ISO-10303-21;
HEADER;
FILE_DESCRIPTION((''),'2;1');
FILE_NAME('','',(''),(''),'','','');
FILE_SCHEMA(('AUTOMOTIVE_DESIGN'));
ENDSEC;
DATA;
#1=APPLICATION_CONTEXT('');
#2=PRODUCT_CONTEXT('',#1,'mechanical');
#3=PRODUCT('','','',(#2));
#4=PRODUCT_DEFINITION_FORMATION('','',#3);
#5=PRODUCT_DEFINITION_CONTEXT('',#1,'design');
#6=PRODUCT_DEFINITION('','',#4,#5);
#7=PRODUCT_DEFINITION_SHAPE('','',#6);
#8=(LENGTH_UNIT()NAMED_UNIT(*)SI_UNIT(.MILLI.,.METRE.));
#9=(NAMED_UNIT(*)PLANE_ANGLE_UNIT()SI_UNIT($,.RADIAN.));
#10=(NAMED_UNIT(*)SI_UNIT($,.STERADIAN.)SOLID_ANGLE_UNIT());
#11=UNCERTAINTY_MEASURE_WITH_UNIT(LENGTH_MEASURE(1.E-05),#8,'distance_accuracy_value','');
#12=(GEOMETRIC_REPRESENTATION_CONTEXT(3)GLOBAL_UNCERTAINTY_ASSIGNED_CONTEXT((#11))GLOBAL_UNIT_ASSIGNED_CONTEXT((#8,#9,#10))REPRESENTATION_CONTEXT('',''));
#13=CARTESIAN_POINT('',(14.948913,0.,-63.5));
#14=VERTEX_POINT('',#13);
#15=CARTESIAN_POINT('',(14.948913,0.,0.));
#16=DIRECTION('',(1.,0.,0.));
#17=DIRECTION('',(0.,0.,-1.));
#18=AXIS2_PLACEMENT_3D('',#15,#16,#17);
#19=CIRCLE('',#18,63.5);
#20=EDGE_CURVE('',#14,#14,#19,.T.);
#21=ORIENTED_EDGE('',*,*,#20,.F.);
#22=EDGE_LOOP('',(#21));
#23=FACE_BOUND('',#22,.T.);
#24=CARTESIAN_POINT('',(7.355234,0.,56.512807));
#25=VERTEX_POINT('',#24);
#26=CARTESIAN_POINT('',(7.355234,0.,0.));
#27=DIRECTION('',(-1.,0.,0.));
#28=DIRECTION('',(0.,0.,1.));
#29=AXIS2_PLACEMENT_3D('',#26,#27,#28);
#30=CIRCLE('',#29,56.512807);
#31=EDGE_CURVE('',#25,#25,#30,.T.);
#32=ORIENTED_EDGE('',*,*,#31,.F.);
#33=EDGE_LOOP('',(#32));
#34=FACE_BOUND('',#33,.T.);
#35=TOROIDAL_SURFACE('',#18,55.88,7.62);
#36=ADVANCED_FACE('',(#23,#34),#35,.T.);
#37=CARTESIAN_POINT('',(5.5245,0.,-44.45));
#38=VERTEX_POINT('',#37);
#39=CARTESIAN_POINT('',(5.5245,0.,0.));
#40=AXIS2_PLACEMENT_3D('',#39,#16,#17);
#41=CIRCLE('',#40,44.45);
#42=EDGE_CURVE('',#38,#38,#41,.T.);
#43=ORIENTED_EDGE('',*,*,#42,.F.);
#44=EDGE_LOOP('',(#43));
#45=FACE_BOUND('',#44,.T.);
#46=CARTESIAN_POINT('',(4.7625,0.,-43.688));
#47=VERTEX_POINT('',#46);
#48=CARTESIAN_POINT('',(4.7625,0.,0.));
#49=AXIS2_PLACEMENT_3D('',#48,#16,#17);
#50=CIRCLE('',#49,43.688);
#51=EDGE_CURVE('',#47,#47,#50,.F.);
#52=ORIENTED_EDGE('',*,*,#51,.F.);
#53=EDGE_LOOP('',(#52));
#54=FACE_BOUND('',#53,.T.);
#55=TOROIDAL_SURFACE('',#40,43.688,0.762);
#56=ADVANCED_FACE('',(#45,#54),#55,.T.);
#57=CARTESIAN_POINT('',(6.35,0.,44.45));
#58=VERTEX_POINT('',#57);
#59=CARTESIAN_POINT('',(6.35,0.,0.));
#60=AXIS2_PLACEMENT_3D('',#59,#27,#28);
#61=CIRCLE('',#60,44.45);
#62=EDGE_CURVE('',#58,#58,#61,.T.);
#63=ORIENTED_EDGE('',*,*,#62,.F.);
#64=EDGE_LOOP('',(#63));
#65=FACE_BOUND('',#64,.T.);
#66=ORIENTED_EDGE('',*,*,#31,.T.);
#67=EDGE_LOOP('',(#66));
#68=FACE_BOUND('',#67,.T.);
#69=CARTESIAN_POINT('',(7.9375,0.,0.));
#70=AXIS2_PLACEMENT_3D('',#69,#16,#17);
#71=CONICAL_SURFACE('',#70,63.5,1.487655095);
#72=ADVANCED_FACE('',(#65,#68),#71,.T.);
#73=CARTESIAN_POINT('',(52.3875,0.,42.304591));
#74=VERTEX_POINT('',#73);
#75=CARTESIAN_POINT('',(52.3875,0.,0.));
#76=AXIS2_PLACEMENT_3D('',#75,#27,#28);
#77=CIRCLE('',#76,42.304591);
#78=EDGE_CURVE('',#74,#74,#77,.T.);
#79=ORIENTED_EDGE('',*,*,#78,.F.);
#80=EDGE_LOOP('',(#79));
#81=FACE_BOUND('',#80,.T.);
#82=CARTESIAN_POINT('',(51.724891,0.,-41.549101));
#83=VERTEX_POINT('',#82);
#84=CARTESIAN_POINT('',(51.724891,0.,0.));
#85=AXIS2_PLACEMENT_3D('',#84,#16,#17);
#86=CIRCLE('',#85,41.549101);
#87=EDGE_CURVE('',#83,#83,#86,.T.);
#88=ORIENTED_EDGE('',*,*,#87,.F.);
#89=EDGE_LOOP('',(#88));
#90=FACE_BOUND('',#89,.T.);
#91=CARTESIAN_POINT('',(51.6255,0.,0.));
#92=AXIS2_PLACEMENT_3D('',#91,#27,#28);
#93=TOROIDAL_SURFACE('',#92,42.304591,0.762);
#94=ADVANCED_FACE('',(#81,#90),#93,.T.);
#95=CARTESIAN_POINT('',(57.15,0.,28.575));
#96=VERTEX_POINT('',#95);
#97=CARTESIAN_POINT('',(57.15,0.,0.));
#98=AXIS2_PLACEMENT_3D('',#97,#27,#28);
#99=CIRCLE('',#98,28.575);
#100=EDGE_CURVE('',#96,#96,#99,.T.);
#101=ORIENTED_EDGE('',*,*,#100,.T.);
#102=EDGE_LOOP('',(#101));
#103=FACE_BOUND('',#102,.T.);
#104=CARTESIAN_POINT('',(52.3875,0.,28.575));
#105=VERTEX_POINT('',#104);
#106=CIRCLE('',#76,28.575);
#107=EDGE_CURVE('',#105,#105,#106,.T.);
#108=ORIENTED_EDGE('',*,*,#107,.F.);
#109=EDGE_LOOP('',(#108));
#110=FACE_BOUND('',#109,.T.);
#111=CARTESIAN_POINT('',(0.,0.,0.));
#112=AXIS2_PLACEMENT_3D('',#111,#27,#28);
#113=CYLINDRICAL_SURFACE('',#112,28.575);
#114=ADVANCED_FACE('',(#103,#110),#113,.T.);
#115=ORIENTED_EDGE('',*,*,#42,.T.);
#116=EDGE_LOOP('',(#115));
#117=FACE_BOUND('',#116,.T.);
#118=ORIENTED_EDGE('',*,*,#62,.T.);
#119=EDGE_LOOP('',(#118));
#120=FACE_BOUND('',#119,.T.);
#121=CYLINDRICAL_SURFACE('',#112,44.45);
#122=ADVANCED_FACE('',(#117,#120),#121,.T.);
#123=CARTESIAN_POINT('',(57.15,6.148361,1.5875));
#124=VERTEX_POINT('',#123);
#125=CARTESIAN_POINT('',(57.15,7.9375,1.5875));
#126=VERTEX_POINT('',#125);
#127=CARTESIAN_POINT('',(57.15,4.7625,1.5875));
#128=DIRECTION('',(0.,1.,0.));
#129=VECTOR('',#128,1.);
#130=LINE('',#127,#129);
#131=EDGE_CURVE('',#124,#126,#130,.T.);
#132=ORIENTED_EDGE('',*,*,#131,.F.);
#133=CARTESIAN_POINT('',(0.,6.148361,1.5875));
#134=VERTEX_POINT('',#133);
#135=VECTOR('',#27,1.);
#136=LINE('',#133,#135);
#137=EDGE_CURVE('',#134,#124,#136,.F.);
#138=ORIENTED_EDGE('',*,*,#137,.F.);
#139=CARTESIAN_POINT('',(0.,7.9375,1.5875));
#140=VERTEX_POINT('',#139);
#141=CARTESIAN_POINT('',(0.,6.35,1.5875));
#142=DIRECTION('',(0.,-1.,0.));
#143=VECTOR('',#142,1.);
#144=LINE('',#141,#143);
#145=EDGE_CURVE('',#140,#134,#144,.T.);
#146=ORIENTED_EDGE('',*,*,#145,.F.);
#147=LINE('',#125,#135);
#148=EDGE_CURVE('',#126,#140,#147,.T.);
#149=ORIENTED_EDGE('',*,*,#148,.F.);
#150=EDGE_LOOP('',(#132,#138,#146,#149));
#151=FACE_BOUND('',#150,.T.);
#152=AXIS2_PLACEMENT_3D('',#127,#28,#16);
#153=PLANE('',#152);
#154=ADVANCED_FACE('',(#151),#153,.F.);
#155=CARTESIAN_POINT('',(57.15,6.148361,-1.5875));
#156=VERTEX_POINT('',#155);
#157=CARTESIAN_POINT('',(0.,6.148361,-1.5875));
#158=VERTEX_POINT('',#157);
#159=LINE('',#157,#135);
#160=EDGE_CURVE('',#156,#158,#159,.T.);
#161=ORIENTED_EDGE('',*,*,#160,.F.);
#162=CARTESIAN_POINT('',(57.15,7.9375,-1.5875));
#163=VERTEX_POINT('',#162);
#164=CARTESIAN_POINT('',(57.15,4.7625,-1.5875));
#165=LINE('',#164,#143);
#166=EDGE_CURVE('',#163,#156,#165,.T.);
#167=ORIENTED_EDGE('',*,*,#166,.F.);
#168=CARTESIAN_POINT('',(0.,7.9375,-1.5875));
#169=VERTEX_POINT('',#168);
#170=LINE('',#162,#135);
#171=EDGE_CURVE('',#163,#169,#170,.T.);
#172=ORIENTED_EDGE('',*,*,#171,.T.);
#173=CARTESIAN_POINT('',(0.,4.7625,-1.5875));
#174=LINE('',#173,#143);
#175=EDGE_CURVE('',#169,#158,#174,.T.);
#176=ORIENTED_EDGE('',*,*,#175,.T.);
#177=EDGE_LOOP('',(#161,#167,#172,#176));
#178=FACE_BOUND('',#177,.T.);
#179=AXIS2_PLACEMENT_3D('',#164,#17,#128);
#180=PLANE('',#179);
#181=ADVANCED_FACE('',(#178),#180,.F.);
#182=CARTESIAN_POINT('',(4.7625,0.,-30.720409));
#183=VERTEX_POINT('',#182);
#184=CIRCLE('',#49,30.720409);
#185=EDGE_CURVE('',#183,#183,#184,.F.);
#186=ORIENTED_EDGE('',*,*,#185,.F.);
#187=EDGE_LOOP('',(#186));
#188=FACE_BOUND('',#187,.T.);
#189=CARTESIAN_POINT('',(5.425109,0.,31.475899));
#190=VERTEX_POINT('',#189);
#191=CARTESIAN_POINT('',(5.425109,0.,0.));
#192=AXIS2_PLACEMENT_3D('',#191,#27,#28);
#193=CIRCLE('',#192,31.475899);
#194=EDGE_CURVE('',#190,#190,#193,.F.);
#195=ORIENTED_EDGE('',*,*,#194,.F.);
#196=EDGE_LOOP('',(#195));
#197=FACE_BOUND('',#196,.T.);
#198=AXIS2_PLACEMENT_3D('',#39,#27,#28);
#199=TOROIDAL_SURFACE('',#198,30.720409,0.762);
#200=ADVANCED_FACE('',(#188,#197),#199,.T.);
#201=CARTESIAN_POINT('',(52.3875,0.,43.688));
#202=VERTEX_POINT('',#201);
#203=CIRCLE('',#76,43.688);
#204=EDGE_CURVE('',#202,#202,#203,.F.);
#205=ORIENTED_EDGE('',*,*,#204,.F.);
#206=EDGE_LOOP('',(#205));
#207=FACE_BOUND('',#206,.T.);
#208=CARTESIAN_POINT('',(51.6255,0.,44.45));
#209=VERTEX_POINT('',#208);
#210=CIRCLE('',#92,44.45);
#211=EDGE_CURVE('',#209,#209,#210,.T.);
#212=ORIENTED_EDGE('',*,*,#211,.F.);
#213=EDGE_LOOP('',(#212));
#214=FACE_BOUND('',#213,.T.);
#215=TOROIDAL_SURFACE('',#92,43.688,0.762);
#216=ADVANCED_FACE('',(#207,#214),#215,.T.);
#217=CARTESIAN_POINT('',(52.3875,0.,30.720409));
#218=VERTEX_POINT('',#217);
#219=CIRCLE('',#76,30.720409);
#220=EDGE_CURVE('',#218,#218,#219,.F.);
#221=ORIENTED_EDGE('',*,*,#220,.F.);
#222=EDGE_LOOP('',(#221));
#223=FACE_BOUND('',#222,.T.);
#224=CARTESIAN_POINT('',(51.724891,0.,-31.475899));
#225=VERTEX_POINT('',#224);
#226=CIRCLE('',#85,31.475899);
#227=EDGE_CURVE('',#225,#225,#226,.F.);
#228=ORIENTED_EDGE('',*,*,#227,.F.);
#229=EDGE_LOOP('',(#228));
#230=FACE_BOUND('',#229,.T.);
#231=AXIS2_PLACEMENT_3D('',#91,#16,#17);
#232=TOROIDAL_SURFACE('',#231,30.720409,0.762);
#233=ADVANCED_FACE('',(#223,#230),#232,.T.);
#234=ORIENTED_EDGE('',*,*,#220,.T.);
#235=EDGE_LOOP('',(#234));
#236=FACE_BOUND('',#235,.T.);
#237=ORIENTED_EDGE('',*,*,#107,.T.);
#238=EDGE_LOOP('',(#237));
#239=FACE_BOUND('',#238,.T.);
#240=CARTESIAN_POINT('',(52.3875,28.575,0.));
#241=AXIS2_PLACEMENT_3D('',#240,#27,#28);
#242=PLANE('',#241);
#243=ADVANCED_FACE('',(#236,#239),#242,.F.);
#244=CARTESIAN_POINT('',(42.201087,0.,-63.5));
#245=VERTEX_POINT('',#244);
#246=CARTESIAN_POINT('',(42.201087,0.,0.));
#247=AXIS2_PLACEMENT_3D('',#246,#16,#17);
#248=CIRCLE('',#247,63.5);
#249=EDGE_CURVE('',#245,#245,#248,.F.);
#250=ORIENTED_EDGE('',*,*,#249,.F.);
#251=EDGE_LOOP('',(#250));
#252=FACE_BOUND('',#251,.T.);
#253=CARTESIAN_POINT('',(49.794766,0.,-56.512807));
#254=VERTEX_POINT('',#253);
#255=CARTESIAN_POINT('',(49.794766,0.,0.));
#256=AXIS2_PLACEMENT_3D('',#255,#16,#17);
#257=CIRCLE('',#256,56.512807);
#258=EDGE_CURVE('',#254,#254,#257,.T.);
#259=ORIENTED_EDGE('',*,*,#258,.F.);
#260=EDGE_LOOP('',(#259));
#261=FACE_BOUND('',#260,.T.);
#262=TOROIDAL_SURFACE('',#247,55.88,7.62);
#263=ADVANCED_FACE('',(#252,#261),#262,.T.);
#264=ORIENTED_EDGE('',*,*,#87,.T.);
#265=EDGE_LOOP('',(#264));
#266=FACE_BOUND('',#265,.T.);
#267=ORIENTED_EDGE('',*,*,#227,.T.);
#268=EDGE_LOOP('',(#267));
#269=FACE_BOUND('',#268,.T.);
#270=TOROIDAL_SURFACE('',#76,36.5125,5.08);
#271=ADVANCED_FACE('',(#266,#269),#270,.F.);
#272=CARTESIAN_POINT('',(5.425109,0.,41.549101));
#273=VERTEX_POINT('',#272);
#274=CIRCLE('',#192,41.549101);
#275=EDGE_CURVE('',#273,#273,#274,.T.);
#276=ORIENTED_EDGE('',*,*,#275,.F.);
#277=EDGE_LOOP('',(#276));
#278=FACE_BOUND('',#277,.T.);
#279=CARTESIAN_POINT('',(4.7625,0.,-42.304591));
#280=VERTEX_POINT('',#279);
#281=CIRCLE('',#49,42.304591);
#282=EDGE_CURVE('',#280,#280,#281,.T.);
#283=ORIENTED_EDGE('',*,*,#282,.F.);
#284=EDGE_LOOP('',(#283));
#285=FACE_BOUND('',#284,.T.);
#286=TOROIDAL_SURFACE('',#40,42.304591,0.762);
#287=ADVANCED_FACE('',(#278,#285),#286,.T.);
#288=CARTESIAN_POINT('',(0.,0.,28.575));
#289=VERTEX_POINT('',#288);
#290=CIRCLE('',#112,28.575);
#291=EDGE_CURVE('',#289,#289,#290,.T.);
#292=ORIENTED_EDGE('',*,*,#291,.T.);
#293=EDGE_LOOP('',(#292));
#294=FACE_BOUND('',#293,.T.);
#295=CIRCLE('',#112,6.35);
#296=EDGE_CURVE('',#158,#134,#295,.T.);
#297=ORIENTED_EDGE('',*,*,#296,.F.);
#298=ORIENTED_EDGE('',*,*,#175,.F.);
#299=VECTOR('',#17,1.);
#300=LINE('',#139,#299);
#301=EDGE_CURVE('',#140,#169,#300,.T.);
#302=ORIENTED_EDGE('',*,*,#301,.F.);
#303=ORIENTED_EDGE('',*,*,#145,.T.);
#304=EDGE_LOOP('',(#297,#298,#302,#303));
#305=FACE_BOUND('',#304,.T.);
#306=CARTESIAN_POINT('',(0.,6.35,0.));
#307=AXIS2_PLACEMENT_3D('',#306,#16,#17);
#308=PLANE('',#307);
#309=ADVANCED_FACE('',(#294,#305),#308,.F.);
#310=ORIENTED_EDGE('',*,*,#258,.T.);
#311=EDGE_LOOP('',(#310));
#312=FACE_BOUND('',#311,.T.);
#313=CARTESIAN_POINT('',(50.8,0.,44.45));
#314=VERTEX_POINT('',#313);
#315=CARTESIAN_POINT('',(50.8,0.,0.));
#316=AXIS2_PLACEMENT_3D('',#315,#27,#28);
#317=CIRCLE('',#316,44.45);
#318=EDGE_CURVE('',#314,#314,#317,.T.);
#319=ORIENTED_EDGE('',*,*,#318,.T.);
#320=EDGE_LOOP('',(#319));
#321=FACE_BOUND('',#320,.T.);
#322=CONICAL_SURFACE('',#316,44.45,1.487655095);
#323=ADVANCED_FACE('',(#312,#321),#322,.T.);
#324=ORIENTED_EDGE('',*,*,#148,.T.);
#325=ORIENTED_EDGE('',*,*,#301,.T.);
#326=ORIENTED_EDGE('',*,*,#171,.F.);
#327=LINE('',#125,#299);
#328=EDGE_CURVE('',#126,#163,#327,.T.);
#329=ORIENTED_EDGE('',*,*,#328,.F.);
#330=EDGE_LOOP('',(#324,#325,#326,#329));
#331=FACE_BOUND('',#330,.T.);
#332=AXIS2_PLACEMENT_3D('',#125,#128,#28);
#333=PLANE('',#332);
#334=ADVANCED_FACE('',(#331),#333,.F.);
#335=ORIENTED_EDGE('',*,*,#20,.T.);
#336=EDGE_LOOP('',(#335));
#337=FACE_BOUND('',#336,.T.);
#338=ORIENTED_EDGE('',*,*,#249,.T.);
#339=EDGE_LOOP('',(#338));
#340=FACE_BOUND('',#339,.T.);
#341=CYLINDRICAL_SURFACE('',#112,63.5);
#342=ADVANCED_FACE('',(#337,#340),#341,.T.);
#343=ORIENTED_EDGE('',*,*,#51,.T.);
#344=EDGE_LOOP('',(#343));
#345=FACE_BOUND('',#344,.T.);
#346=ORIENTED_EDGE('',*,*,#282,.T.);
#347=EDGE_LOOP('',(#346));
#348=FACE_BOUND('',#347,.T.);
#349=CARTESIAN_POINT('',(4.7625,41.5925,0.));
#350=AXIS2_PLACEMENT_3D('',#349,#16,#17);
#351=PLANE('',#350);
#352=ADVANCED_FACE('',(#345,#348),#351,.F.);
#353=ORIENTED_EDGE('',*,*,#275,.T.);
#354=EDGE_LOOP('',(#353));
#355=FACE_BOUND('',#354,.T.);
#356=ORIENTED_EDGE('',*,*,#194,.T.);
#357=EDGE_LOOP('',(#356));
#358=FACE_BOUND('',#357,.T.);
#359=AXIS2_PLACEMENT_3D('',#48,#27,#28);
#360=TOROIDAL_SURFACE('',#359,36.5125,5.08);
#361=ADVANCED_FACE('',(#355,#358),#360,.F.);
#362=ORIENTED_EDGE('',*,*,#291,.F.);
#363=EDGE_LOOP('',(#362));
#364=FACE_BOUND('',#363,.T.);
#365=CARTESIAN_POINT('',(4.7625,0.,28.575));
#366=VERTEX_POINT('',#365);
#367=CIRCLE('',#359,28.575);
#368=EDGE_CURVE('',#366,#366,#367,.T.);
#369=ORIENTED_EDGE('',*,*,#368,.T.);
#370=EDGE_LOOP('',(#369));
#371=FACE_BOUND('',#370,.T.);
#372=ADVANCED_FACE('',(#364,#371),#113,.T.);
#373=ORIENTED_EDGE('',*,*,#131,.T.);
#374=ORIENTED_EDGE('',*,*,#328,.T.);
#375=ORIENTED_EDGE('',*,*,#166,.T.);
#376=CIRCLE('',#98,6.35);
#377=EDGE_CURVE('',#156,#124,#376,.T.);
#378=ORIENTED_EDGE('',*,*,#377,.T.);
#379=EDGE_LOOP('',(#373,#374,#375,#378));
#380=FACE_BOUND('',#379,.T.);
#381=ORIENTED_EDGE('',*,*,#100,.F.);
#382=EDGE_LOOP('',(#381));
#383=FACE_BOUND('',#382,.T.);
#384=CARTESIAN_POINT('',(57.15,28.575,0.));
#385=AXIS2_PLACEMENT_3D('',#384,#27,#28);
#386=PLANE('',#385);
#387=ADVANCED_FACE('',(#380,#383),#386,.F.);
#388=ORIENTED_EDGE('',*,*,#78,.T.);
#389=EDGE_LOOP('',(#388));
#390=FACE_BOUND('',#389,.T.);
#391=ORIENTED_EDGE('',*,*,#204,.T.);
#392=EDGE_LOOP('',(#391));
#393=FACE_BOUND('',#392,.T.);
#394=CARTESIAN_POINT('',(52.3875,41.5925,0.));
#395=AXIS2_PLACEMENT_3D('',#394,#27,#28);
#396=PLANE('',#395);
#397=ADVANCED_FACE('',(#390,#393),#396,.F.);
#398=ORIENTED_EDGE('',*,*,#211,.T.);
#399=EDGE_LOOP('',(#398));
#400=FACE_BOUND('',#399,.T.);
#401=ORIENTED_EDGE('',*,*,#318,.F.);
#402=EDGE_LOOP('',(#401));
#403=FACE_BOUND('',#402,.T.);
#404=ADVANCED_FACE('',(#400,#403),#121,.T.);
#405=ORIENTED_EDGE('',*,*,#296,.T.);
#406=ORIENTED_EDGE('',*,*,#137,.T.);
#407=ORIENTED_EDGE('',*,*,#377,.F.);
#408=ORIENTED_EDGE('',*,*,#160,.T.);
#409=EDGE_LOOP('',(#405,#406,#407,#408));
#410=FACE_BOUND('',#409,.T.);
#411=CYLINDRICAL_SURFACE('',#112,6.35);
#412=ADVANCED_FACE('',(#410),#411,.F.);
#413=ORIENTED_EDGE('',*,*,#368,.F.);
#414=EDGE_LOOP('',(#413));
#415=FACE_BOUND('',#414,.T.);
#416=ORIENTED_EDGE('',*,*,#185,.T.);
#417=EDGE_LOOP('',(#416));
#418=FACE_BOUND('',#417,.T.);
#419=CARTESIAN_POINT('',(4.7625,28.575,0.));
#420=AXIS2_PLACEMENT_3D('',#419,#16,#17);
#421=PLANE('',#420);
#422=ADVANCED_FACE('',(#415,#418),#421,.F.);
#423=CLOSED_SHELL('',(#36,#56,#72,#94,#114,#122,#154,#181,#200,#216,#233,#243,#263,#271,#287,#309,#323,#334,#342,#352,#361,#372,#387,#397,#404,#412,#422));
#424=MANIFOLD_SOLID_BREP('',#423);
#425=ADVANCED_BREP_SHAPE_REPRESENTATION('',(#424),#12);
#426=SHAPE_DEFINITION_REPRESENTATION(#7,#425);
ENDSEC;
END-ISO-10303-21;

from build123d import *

# Parameters (mm, degrees)
FILLET1_R          = 7.62
FILLET2_R          = 0.762
SKETCH3_W          = 3.175
SKETCH3_H          = 3.175
CUT_EXTRUDE1_DEPTH = 107.445397956


with BuildPart() as part:
    # Sketch1 → Revolve1 (revolve)
    with BuildSketch(Plane.XY, mode=Mode.PRIVATE) as revolve1_sk:
        with BuildLine():
            Line((0, 6.35), (0, 28.575))
            Line((0, 28.575), (4.7625, 28.575))
            Line((4.7625, 28.575), (4.7625, 31.4325))
            ThreePointArc((4.7625, 31.4325), (9.8425, 36.5125), (4.7625, 41.5925))
            Line((4.7625, 41.5925), (4.7625, 44.45))
            Line((4.7625, 44.45), (6.35, 44.45))
            Line((6.35, 44.45), (7.9375, 63.5))
            Line((7.9375, 63.5), (49.2125, 63.5))
            Line((49.2125, 63.5), (50.8, 44.45))
            Line((50.8, 44.45), (52.3875, 44.45))
            Line((52.3875, 44.45), (52.3875, 41.5925))
            ThreePointArc((52.3875, 41.5925), (47.3075, 36.5125), (52.3875, 31.4325))
            Line((52.3875, 31.4325), (52.3875, 28.575))
            Line((52.3875, 28.575), (57.15, 28.575))
            Line((57.15, 28.575), (57.15, 6.35))
            Line((57.15, 6.35), (0, 6.35))
        make_face()
    revolve(revolve1_sk.sketch.rotate(Axis((0, 0, 0), (1, 0, 0)), 90), axis=Axis((0, 0, 0), (1, 0, 0)))

    # Fillet1
    fillet1_edges = [part.edges().sort_by_distance(p)[0] for p in [
        (7.9375, 0, -63.5),
        (49.2125, 0, -63.5),
    ]]
    fillet(fillet1_edges, radius=FILLET1_R)

    # Fillet2
    fillet2_edges = [part.edges().sort_by_distance(p)[0] for p in [
        (4.7625, 0, -31.4325),
        (4.7625, 0, -41.5925),
        (4.7625, 0, -44.45),
        (52.3875, 0, -44.45),
        (52.3875, 0, -41.5925),
        (52.3875, 0, -31.4325),
    ]]
    fillet(fillet2_edges, radius=FILLET2_R)

    # Sketch3 → Cut-Extrude1 (cut, through all)
    with BuildSketch(Plane.ZY):
        with Locations((0, 6.35)):
            Rectangle(SKETCH3_W, SKETCH3_H)
    extrude(amount=-CUT_EXTRUDE1_DEPTH, mode=Mode.SUBTRACT)


solid = part.part
